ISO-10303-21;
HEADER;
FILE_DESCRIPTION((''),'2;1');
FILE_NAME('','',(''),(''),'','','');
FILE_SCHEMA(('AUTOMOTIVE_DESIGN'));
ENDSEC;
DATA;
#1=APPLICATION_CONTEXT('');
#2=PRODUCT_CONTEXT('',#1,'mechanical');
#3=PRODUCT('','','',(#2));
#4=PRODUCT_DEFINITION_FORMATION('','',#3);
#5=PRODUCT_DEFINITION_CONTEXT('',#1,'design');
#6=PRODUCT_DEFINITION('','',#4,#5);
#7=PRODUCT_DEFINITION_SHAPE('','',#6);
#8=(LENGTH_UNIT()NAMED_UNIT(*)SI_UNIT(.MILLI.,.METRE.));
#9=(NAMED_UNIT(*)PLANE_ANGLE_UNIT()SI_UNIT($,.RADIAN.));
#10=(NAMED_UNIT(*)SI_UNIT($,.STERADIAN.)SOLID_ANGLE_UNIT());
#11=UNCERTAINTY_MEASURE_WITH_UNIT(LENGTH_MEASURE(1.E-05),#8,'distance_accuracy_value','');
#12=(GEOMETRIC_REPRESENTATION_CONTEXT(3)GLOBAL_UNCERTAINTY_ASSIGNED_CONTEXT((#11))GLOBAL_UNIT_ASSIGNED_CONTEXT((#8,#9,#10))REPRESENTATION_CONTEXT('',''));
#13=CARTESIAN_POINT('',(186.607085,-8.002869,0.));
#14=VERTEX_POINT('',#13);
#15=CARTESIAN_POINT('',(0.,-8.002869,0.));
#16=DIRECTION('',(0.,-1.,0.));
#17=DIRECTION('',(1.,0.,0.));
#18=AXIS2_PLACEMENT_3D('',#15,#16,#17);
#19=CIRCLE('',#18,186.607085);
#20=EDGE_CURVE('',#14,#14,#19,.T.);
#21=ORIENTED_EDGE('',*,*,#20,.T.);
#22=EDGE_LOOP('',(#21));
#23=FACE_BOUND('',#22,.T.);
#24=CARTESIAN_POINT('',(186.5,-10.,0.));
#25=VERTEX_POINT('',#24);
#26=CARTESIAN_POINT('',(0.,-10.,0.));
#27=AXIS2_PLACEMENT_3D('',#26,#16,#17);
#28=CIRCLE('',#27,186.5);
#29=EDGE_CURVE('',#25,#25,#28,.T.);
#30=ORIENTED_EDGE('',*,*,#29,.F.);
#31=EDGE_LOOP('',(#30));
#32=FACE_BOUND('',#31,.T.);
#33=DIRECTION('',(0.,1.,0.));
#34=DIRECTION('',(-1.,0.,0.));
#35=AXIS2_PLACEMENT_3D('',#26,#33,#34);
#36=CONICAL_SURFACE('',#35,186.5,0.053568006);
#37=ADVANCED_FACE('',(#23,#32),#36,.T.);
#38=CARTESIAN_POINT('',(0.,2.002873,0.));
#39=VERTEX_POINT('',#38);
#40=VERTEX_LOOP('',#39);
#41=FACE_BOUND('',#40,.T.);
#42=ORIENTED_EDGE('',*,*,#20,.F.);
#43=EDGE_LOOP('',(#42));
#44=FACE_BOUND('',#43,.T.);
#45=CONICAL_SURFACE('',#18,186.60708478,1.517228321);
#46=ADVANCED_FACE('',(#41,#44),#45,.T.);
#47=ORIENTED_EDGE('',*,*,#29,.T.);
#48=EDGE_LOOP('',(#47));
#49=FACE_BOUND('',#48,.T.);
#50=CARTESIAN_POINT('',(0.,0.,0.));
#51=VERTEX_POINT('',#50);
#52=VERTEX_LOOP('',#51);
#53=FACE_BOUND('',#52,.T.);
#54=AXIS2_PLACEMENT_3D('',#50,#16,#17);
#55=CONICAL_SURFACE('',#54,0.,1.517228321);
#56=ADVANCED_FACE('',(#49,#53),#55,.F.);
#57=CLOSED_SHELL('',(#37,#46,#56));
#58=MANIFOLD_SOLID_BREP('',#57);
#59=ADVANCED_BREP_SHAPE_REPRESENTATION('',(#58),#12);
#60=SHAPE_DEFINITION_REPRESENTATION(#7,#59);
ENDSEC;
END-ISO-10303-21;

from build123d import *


with BuildPart() as part:
    # Skizze1 → Rotation1 (revolve)
    with BuildSketch(Plane.XY):
        Polygon((0, 0), (0, 2.002872966), (186.60708478, -8.002868845), (186.5, -10), align=None)
    revolve(axis=Axis((0, 0, 0), (0, 1, 0)))


solid = part.part
